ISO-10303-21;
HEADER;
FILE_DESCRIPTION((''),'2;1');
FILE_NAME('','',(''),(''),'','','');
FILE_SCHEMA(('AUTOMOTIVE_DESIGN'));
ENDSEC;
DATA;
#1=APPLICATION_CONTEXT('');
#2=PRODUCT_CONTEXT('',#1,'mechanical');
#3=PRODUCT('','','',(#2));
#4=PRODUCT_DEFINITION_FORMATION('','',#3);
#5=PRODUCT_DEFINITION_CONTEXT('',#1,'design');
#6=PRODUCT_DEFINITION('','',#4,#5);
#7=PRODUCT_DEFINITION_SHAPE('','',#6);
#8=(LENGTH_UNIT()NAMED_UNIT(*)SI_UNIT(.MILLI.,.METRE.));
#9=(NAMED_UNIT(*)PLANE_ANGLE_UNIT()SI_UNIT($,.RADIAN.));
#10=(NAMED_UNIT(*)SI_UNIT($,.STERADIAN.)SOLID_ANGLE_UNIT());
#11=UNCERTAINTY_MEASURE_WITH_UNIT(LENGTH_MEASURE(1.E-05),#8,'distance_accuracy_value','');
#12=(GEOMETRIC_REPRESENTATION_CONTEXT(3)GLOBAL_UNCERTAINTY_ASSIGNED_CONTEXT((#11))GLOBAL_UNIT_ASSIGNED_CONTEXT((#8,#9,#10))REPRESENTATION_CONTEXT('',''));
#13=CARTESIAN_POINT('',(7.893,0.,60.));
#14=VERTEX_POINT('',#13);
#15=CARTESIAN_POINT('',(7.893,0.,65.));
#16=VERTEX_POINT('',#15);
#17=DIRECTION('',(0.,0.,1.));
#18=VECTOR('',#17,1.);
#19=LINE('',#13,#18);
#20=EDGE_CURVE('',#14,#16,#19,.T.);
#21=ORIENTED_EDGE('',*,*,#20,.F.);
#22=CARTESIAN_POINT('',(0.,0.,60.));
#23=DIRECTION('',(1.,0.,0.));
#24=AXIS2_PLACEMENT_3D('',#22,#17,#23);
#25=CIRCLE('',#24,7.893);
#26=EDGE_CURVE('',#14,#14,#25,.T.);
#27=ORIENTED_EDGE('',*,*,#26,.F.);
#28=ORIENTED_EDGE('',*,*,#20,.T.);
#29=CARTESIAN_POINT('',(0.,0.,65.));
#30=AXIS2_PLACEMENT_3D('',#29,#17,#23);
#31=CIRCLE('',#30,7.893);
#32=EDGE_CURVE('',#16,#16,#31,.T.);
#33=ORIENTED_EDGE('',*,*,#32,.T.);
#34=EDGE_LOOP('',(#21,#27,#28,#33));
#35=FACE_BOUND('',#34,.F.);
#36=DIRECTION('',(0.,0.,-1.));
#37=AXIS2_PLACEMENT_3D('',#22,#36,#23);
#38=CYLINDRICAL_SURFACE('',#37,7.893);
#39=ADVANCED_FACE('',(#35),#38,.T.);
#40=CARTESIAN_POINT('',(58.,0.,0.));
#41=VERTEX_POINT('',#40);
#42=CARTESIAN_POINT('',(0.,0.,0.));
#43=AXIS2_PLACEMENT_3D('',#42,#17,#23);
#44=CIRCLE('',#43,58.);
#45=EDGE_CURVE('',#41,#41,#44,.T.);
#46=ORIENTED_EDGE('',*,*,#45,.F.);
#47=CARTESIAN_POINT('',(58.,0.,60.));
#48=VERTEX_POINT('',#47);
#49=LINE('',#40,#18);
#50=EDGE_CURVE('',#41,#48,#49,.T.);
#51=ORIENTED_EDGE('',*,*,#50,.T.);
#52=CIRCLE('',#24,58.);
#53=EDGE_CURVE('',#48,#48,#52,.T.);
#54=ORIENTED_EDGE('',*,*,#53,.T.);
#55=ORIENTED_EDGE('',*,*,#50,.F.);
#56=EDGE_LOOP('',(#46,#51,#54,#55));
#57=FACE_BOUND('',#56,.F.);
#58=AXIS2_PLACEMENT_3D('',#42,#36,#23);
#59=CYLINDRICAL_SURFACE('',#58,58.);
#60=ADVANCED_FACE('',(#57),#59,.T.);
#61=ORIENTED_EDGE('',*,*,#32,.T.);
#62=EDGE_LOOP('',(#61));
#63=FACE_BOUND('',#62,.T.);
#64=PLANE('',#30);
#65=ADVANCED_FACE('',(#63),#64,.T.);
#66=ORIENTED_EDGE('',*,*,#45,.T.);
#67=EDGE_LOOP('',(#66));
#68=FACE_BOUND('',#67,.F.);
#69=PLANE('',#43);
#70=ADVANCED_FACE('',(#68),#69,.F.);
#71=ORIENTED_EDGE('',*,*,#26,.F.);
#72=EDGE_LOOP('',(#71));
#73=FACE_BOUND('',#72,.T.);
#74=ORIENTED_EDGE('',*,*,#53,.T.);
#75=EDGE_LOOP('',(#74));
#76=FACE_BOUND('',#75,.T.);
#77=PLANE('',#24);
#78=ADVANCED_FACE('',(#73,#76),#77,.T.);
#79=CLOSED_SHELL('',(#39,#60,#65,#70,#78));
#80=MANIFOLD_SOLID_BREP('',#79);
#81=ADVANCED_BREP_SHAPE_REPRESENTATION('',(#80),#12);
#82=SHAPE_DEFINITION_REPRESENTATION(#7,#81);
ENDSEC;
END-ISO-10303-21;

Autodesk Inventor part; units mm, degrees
ref_plane "YZ Plane" through (0, 0, 0) normal (1, 0, 0) x (0, 1, 0)
ref_plane "XZ Plane" through (0, 0, 0) normal (0, 1, 0) x (-1, 0, 0)
ref_plane "XY Plane" through (0, 0, 0) normal (0, 0, 1) x (1, 0, 0)
sketch "Sketch1" plane through (0, 0, 0) normal (0, 0, 1) x (1, 0, 0)
  circle A0 centre (0, 0) radius 58
  dimension "d0" = 116
extrude "Extrusion1" add sketch "Sketch1" along normal blind 60
sketch "Sketch2" plane through (0, 0, 60) normal (0, 0, 1) x (1, 0, 0)
  circle A0 centre (0, 0) radius 7.893
  dimension "d3" = 15.786
extrude "Extrusion2" add sketch "Sketch2" along normal blind 5
properties part number "Basic OSV Wheel"
